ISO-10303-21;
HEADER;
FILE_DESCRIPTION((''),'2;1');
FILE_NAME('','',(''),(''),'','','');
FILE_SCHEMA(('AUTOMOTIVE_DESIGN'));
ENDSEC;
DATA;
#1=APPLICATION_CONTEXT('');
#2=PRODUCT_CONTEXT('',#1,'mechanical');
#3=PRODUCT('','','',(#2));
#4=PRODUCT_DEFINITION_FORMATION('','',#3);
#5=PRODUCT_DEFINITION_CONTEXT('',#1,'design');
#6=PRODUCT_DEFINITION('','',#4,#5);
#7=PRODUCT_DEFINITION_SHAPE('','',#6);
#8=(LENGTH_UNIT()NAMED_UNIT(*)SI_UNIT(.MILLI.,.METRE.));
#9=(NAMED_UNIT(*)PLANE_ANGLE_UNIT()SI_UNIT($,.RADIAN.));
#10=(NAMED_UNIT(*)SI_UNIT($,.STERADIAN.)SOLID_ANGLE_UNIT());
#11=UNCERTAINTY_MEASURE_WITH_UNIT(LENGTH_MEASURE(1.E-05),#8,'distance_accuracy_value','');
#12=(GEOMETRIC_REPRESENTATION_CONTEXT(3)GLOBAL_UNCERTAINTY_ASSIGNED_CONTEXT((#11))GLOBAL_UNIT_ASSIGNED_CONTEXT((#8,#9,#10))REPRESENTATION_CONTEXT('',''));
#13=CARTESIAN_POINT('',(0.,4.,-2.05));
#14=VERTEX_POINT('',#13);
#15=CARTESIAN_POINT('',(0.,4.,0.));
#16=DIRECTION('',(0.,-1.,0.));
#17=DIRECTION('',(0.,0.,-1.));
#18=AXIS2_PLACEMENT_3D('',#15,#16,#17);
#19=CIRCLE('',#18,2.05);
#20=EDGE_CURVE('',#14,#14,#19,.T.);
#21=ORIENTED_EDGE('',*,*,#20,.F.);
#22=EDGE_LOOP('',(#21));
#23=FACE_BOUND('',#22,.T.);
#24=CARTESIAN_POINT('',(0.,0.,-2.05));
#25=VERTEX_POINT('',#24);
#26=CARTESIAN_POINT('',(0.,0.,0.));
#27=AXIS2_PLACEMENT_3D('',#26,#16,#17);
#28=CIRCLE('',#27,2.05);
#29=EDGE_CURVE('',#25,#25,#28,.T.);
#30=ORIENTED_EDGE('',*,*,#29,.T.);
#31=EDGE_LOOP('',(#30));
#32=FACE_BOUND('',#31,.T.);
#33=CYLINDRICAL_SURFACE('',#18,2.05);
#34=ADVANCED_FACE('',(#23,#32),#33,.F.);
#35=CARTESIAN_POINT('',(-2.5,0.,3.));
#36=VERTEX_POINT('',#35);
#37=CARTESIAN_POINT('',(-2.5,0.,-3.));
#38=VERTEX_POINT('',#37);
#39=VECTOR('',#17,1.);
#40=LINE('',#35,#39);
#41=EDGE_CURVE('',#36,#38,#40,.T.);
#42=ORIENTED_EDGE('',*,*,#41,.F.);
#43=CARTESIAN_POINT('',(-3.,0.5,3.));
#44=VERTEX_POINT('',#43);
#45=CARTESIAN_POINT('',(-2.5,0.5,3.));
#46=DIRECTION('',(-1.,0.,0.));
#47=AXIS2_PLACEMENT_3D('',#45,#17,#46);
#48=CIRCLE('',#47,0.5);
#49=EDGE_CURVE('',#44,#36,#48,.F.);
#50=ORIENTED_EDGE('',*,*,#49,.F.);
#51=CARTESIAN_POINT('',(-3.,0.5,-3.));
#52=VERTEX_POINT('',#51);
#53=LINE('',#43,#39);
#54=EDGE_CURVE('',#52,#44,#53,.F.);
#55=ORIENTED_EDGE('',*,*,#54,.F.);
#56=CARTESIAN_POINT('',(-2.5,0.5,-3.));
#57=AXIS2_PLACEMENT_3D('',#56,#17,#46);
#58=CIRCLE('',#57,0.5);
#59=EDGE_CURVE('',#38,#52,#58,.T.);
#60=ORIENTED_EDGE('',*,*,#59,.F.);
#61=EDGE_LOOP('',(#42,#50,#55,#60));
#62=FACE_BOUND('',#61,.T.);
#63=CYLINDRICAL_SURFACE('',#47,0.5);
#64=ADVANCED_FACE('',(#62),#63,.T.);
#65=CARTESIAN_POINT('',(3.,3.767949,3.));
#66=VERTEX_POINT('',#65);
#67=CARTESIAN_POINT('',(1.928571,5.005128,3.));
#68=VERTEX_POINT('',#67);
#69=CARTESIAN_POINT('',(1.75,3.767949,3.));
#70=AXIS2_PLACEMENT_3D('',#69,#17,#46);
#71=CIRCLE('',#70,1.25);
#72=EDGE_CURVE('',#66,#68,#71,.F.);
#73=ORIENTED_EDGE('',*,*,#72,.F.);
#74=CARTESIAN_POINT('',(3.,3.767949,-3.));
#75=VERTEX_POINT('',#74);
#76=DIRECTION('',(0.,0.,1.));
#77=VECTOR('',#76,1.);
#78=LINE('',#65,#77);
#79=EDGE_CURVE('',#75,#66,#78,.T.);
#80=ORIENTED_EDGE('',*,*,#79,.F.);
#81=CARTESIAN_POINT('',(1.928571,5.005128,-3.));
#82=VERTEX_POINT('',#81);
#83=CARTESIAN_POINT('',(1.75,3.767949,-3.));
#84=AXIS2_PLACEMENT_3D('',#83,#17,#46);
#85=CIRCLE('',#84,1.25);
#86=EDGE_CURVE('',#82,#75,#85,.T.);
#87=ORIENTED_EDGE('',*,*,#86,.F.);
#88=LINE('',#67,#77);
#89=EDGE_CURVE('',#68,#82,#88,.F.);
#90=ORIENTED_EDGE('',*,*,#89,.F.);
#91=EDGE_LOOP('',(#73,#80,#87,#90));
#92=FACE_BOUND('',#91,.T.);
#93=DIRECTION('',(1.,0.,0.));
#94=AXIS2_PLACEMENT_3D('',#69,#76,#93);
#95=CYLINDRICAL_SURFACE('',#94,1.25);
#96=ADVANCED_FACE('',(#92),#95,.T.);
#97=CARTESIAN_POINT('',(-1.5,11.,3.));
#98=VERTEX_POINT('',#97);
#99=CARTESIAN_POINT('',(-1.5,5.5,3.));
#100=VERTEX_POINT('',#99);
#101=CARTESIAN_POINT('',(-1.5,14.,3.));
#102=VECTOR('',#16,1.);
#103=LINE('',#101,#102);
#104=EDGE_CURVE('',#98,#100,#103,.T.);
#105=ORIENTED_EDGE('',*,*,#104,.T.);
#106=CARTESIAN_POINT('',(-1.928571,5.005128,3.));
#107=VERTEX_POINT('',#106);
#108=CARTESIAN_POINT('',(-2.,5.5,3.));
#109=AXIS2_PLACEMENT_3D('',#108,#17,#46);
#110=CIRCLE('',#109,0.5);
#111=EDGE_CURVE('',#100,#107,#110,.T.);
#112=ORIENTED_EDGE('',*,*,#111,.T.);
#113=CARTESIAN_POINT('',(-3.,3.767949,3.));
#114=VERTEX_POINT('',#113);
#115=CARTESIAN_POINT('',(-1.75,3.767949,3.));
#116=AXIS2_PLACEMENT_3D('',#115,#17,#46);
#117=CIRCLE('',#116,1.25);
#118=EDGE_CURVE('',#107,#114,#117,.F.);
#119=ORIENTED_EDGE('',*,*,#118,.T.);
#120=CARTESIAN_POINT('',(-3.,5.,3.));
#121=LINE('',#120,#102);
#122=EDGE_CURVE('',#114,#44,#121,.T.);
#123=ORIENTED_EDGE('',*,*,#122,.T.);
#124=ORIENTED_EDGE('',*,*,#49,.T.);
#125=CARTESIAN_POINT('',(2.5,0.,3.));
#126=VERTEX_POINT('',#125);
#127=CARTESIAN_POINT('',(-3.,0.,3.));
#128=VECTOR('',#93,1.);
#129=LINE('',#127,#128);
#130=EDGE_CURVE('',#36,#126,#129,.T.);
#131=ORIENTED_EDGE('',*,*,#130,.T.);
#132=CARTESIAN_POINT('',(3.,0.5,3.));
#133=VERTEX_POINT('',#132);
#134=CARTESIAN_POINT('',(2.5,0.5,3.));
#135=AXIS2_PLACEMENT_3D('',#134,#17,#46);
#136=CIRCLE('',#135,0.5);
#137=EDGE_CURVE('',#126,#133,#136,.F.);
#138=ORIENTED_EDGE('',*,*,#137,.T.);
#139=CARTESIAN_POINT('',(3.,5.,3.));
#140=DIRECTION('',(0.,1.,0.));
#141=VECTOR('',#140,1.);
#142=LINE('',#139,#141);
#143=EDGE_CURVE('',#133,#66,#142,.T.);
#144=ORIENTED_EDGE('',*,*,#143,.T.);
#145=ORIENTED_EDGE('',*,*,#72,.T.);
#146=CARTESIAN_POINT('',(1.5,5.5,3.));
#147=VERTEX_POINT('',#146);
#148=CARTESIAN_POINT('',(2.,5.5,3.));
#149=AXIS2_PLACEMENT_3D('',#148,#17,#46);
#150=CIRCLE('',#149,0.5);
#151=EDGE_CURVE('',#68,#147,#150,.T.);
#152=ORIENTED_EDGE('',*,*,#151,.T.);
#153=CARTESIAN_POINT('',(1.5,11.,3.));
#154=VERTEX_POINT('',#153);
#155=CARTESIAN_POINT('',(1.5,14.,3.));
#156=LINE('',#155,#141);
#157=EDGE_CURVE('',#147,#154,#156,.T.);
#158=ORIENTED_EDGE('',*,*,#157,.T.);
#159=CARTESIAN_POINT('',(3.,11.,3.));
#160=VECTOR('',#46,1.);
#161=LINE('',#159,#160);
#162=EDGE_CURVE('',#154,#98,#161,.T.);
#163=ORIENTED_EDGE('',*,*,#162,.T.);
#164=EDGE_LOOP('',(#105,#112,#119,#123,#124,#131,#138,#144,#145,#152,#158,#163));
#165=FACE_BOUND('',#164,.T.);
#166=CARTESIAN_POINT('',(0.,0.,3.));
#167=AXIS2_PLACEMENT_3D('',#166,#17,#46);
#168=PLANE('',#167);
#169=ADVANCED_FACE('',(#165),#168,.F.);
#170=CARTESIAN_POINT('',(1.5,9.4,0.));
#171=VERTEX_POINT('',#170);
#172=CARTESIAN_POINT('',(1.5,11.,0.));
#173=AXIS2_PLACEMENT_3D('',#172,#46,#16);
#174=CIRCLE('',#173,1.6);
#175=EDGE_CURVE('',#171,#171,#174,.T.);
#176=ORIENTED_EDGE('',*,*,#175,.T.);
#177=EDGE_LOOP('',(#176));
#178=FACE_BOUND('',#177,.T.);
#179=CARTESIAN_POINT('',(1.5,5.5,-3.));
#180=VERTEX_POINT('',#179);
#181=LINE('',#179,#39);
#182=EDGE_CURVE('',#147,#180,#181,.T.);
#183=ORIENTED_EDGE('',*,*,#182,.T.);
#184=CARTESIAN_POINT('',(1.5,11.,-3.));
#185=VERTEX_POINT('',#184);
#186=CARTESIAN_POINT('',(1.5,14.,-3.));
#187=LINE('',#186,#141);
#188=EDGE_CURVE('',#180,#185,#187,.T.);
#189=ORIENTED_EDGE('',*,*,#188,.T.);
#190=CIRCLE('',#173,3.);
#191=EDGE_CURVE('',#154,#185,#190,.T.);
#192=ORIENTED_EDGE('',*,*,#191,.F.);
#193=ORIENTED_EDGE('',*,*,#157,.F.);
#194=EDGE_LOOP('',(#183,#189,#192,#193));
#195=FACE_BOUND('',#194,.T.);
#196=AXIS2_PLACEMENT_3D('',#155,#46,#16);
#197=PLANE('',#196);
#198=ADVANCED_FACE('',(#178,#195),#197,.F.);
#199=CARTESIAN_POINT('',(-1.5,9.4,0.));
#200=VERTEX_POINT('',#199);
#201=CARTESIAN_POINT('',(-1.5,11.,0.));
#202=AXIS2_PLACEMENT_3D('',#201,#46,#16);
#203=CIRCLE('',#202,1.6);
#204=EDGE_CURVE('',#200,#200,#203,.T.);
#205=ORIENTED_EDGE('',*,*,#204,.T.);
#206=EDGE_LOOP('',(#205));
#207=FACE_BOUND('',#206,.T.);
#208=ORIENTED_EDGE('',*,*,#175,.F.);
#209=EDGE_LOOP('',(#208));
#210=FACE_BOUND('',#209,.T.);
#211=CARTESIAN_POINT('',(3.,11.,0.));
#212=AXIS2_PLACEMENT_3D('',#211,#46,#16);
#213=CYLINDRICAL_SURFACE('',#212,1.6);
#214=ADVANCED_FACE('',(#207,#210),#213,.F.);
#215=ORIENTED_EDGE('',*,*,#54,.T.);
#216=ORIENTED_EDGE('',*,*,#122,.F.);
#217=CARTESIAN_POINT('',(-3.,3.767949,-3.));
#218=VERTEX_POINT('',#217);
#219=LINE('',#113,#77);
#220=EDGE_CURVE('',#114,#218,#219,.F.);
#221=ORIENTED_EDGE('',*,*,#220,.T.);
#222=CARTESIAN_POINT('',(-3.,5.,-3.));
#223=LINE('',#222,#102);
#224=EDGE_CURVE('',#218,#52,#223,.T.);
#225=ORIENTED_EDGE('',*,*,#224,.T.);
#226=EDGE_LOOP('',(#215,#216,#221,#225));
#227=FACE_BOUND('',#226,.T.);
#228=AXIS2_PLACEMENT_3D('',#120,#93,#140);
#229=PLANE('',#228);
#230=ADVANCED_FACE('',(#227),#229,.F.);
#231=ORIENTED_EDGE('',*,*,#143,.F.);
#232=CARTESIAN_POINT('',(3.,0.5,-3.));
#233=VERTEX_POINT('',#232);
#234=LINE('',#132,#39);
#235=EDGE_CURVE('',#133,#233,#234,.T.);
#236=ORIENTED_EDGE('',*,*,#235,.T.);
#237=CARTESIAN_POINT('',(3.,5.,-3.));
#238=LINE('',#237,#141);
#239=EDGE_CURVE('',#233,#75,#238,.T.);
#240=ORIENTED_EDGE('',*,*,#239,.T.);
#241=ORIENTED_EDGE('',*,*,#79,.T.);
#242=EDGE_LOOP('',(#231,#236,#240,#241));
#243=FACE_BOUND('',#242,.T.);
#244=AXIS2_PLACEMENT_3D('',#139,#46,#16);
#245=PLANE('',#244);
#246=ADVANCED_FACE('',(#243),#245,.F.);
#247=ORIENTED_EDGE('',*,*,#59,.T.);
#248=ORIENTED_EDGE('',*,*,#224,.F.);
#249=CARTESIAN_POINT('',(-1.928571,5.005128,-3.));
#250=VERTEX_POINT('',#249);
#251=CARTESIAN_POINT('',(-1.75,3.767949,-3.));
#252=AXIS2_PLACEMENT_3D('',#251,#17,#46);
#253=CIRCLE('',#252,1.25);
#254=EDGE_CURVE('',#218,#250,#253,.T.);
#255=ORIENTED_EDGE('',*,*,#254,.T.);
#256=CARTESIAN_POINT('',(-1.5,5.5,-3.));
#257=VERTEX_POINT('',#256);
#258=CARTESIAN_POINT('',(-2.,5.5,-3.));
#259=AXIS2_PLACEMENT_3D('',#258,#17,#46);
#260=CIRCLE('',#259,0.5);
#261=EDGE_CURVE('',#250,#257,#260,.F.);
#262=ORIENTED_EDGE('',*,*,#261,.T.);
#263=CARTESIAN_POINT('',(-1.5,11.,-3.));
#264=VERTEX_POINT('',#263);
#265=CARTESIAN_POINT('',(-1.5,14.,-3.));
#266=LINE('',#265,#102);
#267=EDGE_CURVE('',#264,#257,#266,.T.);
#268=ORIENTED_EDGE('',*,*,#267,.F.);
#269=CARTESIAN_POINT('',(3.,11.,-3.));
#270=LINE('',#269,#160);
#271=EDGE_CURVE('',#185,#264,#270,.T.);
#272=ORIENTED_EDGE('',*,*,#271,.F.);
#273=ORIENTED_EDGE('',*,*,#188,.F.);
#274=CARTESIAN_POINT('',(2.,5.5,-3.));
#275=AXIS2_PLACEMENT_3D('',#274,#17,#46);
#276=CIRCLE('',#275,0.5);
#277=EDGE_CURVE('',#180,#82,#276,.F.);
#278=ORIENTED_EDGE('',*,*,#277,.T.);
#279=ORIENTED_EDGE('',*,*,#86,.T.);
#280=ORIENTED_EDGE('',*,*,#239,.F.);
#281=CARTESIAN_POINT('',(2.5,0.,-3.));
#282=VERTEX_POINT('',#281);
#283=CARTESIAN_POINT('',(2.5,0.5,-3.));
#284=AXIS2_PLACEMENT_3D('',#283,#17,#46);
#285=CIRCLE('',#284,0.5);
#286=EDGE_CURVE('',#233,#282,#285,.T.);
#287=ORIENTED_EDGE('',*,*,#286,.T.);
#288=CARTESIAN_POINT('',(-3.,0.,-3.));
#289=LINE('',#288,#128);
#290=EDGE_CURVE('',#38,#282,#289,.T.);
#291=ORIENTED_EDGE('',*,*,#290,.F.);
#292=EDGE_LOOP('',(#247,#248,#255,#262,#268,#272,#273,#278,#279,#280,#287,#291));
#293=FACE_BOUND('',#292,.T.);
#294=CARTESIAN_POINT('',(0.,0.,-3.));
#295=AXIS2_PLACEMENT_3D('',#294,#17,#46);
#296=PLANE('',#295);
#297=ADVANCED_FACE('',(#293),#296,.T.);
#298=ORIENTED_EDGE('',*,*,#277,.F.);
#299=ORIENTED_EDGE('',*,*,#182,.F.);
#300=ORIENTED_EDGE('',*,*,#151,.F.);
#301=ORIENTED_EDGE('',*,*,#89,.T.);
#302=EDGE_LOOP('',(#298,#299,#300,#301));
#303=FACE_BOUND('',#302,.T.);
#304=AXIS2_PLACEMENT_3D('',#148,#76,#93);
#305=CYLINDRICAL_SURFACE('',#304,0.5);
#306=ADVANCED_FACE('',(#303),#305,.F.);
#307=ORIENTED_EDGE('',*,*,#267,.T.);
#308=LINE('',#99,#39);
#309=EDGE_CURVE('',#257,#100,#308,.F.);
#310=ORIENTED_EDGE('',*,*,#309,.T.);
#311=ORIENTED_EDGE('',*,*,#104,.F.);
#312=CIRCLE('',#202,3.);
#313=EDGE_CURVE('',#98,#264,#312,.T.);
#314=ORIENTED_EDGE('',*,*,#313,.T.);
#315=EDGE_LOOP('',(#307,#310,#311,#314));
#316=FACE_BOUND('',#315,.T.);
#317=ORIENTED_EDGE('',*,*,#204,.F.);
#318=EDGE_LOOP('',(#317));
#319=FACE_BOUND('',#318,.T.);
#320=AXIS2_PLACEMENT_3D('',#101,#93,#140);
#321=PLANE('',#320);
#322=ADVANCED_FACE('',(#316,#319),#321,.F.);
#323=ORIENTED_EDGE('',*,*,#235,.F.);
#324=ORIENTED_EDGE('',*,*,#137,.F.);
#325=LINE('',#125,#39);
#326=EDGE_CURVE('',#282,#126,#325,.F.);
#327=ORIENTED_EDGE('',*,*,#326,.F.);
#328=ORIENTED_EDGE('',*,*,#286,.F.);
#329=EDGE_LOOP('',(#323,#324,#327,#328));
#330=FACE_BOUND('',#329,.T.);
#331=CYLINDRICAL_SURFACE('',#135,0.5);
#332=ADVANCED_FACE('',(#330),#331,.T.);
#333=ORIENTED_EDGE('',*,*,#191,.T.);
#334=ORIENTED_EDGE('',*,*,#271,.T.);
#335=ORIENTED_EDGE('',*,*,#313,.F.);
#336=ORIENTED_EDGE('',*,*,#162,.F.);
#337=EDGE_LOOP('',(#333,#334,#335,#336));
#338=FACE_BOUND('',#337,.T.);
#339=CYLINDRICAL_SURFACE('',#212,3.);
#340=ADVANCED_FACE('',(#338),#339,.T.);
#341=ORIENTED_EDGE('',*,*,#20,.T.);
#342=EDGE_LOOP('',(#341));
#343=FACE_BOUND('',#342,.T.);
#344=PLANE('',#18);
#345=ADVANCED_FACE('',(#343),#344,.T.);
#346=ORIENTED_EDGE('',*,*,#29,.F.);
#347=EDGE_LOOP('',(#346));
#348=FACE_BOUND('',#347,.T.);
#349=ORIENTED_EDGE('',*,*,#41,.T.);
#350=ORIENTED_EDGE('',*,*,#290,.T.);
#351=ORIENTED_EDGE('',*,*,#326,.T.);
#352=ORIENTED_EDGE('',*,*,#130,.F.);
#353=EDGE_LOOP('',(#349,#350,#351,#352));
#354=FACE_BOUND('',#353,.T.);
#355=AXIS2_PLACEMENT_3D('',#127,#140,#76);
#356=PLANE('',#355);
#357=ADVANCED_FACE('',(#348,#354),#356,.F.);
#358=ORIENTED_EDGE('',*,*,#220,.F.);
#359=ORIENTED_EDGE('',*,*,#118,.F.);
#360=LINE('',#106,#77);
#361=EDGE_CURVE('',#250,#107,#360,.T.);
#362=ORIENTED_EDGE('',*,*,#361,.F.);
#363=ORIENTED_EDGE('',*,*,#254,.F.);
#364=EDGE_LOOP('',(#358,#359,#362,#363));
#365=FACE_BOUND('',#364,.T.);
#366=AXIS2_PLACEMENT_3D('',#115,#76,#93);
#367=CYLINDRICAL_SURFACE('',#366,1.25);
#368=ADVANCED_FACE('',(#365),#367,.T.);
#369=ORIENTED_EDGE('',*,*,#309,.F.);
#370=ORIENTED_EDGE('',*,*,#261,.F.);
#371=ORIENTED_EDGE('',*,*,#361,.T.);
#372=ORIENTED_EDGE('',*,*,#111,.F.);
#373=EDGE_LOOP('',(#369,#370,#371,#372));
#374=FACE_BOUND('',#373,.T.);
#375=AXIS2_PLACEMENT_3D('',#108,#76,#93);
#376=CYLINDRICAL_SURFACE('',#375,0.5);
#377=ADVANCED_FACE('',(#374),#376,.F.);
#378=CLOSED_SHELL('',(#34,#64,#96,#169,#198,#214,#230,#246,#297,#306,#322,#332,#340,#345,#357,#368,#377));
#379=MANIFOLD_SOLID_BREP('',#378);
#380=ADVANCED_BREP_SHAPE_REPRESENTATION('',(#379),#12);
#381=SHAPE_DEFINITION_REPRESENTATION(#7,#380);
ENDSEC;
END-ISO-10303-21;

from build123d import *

# Parameters (mm, degrees)
EXTRUDE_1_DEPTH     = 3
FILLET_1_R          = 0.5
FILLET_2_R          = 1.25
SKETCH_3_R          = 1.6
CUT_EXTRUDE_2_DEPTH = 16.008331163
SKETCH_4_R          = 2.05
CUT_EXTRUDE_4_DEPTH = 4
CUT_EXTRUDE_5_DEPTH = 16.008331163


with BuildPart() as part:
    # ｽｹｯﾁ1 → ﾎﾞｽ - 押し出し1 (new, symmetric)
    with BuildSketch(Plane.XY):
        Polygon((1.5, 14), (-1.5, 14), (-1.5, 5), (-3, 5), (-3, 0), (3, 0), (3, 5), (1.5, 5), align=None)
    extrude(amount=EXTRUDE_1_DEPTH, both=True)

    # ﾌｨﾚｯﾄ1
    fillet_1_edges = [part.edges().sort_by_distance(p)[0] for p in [
        (1.5, 5, 0),
        (3, 0, 0),
        (-3, 0, 0),
        (-1.5, 5, 0),
    ]]
    fillet(fillet_1_edges, radius=FILLET_1_R)

    # ﾌｨﾚｯﾄ2
    fillet_2_edges = [part.edges().sort_by_distance(p)[0] for p in [
        (3, 5, 0),
        (-3, 5, 0),
    ]]
    fillet(fillet_2_edges, radius=FILLET_2_R)

    # ｽｹｯﾁ3 → ｶｯﾄ - 押し出し2 (cut, through all)
    with BuildSketch(Plane.ZY.offset(1.5)):
        with Locations(Location((0, 11, 0), (0, 0, 270))):
            Circle(SKETCH_3_R)
    extrude(amount=-CUT_EXTRUDE_2_DEPTH, mode=Mode.SUBTRACT)

    # ｽｹｯﾁ4 → ｶｯﾄ - 押し出し4 (cut)
    with BuildSketch(Plane.XZ):
        with Locations(Location((0, 0, 0), (0, 0, 270))):
            Circle(SKETCH_4_R)
    extrude(amount=-CUT_EXTRUDE_4_DEPTH, mode=Mode.SUBTRACT)

    # ｽｹｯﾁ5 → ｶｯﾄ - 押し出し5 (cut, through all)
    with BuildSketch(Plane.ZY.offset(1.5)):
        with BuildLine():
            Line((-3, 14), (-3, 11))
            ThreePointArc((-3, 11), (-2.121320344, 13.121320344), (0, 14))
            Line((0, 14), (-3, 14))
        make_face()
        with BuildLine():
            Line((3, 14), (0, 14))
            ThreePointArc((0, 14), (2.121320344, 13.121320344), (3, 11))
            Line((3, 11), (3, 14))
        make_face()
    extrude(amount=-CUT_EXTRUDE_5_DEPTH, mode=Mode.SUBTRACT)


solid = part.part
